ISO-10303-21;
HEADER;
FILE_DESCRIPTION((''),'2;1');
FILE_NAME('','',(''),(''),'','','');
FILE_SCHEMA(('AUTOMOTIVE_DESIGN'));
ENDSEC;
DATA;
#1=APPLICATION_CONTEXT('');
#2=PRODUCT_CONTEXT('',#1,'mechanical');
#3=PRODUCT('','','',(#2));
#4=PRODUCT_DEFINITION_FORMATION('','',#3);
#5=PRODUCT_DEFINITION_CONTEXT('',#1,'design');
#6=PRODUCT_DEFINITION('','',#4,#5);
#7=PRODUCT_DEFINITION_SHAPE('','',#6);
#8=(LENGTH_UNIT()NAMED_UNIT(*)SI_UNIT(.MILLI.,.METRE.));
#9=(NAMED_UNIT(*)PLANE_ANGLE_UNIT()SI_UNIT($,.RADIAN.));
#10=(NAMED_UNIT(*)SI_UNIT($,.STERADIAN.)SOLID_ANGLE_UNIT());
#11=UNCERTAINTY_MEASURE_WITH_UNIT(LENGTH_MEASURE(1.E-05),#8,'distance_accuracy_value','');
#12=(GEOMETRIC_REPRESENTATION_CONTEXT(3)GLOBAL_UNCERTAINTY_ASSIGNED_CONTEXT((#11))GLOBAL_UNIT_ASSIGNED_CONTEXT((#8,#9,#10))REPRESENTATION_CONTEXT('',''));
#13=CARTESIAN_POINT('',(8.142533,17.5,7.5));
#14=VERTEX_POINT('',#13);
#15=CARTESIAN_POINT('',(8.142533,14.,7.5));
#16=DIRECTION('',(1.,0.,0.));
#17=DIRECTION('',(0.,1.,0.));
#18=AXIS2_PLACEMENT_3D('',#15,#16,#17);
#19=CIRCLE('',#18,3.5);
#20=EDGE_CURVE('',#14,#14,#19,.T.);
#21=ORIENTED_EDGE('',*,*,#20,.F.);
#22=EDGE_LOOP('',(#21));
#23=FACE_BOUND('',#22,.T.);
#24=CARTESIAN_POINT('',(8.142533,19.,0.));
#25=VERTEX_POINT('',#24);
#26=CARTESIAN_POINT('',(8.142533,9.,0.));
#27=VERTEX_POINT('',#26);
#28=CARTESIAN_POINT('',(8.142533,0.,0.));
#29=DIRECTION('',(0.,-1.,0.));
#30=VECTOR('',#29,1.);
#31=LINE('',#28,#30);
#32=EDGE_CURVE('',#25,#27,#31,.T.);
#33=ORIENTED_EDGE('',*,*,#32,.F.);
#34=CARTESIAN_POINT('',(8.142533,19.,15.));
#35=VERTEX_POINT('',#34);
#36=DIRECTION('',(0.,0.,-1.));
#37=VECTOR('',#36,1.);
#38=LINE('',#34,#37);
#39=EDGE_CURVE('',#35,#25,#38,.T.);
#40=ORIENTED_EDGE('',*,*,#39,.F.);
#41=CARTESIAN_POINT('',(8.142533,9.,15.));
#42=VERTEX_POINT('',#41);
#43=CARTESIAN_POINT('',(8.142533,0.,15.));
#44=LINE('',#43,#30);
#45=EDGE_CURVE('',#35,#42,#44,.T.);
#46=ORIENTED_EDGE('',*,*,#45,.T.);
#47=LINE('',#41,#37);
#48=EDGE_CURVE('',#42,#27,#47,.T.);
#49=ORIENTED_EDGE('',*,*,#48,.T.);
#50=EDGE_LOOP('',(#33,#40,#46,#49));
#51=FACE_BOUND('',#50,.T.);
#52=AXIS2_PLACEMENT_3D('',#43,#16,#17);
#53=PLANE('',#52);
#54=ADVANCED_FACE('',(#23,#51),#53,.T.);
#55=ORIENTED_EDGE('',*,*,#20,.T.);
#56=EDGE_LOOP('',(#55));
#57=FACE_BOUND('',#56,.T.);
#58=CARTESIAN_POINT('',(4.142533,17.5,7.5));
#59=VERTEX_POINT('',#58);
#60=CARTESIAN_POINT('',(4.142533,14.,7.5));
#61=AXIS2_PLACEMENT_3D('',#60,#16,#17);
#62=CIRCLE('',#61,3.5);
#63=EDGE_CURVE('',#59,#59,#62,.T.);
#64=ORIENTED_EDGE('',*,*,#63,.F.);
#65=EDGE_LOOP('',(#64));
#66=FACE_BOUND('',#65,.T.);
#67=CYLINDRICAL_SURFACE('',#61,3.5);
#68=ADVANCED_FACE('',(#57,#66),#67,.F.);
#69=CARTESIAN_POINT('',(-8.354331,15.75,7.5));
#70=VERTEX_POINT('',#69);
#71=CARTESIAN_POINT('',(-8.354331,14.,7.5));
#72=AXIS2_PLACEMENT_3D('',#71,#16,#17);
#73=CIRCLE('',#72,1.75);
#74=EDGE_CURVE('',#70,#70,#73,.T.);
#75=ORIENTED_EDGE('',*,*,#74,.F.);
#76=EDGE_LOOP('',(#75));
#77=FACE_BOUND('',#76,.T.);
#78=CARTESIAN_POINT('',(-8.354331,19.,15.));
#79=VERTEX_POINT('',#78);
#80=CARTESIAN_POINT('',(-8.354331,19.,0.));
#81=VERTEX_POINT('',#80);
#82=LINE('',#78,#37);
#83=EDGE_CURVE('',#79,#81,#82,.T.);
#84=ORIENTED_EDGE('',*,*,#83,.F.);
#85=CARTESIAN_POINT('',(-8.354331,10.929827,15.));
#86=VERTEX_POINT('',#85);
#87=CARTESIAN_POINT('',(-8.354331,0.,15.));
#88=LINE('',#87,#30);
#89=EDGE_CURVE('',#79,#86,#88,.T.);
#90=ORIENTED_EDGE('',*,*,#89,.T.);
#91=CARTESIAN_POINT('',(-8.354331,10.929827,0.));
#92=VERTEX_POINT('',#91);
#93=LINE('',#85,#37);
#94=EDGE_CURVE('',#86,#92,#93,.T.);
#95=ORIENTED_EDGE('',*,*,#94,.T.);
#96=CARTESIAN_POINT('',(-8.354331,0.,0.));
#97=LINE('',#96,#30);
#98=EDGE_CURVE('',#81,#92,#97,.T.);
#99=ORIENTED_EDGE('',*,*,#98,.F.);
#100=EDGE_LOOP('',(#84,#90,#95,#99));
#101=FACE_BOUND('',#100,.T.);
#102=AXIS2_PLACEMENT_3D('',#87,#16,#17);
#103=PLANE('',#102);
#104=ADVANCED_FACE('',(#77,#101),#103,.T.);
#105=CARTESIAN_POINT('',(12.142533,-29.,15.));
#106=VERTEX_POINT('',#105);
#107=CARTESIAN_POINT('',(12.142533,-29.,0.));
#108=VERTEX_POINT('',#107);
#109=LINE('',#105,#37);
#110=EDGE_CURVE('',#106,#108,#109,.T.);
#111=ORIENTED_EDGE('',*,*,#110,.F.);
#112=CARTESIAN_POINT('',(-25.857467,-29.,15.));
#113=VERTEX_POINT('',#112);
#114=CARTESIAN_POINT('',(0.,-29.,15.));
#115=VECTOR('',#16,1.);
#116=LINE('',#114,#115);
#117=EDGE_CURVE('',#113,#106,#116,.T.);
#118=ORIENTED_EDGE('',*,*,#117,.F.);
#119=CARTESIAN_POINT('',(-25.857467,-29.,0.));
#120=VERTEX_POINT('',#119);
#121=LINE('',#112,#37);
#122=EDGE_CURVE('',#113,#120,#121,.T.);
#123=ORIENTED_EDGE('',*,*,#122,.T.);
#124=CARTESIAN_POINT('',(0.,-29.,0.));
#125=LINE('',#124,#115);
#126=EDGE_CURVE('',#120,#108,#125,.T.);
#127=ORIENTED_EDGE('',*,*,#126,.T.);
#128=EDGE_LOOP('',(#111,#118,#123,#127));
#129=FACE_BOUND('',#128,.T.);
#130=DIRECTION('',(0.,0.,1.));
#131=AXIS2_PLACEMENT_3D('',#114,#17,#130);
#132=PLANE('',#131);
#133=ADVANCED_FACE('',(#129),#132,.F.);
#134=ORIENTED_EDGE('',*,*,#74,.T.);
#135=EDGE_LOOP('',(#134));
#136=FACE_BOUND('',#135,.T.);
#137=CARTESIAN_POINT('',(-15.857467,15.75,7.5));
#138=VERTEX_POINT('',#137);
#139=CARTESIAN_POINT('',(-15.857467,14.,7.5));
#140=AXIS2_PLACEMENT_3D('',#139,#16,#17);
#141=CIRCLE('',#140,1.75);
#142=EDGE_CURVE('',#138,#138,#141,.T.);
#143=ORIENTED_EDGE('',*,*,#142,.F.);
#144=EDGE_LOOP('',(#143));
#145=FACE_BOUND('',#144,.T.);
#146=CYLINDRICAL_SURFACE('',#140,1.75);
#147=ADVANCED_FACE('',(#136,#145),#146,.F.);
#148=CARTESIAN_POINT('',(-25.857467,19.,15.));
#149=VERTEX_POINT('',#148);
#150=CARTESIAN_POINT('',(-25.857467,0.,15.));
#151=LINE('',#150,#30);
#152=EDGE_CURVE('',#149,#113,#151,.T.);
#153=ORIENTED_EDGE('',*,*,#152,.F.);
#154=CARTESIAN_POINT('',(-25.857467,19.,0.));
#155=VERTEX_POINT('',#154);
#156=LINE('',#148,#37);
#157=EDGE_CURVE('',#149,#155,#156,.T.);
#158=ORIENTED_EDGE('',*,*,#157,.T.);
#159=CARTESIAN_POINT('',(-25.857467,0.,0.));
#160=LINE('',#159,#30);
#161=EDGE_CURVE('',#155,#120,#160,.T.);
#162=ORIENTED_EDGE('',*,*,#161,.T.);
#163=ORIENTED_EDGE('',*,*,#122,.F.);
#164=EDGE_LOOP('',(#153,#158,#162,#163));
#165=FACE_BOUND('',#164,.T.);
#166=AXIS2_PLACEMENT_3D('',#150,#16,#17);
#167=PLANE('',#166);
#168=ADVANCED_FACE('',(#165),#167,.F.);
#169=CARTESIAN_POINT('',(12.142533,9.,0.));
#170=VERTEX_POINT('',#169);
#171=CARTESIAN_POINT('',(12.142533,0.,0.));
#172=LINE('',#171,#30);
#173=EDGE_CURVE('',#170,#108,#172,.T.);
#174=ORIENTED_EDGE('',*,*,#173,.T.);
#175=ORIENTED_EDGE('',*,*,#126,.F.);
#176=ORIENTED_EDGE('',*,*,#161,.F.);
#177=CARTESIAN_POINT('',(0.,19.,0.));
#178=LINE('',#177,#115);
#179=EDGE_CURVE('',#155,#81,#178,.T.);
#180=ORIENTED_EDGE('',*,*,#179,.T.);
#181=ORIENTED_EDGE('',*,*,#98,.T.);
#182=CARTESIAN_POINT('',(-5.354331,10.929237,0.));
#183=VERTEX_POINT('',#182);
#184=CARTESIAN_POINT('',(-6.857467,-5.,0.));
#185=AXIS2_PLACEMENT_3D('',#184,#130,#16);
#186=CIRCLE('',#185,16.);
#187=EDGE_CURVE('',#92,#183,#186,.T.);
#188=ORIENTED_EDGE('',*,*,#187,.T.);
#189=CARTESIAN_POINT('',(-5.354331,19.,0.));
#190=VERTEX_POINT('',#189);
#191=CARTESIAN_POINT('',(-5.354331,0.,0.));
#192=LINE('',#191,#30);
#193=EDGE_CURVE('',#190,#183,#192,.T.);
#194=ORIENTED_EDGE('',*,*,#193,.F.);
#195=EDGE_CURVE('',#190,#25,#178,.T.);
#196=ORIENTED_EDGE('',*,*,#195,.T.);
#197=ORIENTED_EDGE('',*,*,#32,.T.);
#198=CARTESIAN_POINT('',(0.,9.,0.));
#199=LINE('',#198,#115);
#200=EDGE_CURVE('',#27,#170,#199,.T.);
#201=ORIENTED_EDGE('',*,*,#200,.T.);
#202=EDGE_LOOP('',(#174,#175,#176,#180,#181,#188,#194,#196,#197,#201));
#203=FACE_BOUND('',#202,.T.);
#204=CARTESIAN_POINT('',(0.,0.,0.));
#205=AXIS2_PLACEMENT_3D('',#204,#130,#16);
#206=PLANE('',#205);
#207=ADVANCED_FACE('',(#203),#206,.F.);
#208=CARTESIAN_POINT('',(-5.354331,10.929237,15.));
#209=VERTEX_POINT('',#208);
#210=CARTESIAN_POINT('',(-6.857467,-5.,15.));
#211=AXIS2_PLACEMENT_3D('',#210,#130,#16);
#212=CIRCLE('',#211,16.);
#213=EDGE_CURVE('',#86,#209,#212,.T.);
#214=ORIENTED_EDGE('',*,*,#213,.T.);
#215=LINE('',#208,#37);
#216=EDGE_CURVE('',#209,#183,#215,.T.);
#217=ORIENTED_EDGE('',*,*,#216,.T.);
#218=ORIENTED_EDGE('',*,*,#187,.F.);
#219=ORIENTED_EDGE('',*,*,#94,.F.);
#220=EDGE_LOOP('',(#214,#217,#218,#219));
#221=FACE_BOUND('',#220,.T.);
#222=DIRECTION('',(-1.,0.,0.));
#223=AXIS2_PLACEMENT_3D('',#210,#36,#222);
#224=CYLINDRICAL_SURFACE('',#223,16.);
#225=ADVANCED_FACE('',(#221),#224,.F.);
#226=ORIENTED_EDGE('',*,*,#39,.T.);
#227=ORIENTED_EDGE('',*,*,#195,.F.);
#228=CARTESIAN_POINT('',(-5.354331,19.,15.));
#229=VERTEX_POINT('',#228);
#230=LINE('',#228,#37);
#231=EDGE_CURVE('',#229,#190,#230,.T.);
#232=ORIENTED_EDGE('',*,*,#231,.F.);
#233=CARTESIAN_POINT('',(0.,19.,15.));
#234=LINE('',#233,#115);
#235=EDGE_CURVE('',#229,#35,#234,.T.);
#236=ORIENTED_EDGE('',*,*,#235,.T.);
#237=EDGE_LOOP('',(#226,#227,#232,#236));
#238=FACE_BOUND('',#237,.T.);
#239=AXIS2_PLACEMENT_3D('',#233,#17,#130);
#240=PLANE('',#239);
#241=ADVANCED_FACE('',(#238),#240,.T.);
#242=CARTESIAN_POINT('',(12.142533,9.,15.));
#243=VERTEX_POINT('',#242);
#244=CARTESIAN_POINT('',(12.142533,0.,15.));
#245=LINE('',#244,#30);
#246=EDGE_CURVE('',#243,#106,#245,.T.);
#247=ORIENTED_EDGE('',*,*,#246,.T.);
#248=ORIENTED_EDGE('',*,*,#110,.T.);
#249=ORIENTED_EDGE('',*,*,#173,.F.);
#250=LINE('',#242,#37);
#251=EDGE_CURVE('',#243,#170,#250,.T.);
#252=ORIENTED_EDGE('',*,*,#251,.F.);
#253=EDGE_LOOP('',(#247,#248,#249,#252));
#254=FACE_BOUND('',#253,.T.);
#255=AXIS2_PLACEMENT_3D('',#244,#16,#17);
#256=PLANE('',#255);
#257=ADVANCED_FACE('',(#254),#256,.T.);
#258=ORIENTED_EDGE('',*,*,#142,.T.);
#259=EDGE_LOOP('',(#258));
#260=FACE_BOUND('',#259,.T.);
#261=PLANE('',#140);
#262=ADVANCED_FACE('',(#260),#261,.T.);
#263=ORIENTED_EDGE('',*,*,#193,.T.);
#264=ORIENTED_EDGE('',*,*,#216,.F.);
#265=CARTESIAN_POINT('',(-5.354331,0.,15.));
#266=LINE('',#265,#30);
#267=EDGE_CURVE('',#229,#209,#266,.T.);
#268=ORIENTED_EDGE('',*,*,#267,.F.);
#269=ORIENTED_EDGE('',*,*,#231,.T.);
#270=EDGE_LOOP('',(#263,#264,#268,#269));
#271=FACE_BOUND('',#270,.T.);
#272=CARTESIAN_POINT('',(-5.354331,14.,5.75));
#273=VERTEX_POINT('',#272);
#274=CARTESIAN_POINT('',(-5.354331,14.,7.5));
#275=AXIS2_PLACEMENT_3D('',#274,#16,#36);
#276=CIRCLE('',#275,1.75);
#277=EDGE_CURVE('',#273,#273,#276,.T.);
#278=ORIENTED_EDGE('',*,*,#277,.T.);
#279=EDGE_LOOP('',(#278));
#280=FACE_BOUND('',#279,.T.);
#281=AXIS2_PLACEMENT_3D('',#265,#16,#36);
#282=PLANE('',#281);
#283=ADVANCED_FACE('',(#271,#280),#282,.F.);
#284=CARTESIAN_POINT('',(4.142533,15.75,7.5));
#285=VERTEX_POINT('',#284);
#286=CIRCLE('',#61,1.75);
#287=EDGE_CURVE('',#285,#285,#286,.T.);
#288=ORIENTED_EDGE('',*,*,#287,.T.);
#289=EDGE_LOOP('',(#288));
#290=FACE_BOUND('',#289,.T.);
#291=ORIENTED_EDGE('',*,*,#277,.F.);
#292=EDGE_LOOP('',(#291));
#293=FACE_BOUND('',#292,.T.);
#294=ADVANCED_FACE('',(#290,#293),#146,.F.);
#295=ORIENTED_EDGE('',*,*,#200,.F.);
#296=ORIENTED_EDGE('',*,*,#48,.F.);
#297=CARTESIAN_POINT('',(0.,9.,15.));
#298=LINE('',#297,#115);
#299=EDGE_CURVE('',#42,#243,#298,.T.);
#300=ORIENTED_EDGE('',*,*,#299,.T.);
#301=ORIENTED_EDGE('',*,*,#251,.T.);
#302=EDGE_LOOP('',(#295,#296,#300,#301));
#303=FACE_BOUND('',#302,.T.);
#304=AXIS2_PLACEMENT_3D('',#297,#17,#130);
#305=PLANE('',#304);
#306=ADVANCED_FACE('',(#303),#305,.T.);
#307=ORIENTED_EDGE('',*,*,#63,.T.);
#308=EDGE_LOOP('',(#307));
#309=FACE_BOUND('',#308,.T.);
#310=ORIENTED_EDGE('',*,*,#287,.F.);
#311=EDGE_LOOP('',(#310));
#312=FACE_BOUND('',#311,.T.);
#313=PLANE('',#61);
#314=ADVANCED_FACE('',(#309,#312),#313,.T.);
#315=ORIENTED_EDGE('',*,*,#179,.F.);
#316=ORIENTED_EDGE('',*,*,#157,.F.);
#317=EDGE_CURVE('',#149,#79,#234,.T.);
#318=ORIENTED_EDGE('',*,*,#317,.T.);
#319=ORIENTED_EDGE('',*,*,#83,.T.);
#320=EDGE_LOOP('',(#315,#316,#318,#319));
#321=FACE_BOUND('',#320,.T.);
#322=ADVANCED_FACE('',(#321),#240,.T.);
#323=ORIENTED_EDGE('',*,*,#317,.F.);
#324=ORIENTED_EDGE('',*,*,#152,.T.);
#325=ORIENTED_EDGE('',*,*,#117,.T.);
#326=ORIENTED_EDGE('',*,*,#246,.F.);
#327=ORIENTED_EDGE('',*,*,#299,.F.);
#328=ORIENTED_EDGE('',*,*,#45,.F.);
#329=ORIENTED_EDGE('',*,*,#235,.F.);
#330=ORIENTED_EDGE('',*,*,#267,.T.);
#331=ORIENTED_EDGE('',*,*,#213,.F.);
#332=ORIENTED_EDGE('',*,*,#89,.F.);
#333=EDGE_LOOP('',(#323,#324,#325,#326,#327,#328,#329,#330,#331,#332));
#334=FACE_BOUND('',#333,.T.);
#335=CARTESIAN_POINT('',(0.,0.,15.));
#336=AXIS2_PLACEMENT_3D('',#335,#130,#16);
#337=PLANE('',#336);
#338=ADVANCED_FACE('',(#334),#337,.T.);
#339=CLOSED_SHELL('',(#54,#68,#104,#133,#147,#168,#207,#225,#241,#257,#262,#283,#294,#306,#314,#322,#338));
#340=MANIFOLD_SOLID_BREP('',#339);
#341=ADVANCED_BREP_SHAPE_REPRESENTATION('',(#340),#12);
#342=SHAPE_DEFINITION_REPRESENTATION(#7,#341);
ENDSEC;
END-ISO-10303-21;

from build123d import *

# Parameters (mm, degrees)
BOSS_EXTRU_1_DEPTH      = 15
ESQUISSE2_R             = 3.5
ENL_V_MAT_EXTRU_1_DEPTH = 4
ESQUISSE5_R             = 1.75
ENL_V_MAT_EXTRU_2_DEPTH = 20


with BuildPart() as part:
    # Esquisse1 → Boss.-Extru.1 (new body)
    with BuildSketch(Plane.XY):
        with BuildLine():
            Line((8.142533049, 9), (8.142533049, 19))
            Line((8.142533049, 19), (-5.354330929, 19))
            Line((-5.354330929, 19), (-5.354330929, 10.929236708))
            ThreePointArc((-5.354330929, 10.929236708), (4.975752737, 5.769164862), (9.142533049, -5))
            ThreePointArc((9.142533049, -5), (-17.628961192, -16.83109935), (-8.354330929, 10.929827313))
            Line((-8.354330929, 10.929827313), (-8.354330929, 19))
            Line((-8.354330929, 19), (-25.857466951, 19))
            Line((-25.857466951, 19), (-25.857466951, -29))
            Line((-25.857466951, -29), (12.142533049, -29))
            Line((12.142533049, -29), (12.142533049, 9))
            Line((12.142533049, 9), (8.142533049, 9))
        make_face()
    extrude(amount=BOSS_EXTRU_1_DEPTH)

    # Esquisse2 → Enlèv. mat.-Extru.1 (cut)
    with BuildSketch(Plane(origin=(8.142533049, 0, 0), x_dir=(0, 0, -1), z_dir=(1, 0, 0))):
        with Locations((-7.5, 14)):
            Circle(ESQUISSE2_R)
    extrude(amount=-ENL_V_MAT_EXTRU_1_DEPTH, mode=Mode.SUBTRACT)

    # Esquisse5 → Enlèv. mat.-Extru.2 (cut)
    with BuildSketch(Plane(origin=(4.142533049, 0, 0), x_dir=(0, 0, -1), z_dir=(1, 0, 0))):
        with Locations((-7.5, 14)):
            Circle(ESQUISSE5_R)
    extrude(amount=-ENL_V_MAT_EXTRU_2_DEPTH, mode=Mode.SUBTRACT)


solid = part.part
